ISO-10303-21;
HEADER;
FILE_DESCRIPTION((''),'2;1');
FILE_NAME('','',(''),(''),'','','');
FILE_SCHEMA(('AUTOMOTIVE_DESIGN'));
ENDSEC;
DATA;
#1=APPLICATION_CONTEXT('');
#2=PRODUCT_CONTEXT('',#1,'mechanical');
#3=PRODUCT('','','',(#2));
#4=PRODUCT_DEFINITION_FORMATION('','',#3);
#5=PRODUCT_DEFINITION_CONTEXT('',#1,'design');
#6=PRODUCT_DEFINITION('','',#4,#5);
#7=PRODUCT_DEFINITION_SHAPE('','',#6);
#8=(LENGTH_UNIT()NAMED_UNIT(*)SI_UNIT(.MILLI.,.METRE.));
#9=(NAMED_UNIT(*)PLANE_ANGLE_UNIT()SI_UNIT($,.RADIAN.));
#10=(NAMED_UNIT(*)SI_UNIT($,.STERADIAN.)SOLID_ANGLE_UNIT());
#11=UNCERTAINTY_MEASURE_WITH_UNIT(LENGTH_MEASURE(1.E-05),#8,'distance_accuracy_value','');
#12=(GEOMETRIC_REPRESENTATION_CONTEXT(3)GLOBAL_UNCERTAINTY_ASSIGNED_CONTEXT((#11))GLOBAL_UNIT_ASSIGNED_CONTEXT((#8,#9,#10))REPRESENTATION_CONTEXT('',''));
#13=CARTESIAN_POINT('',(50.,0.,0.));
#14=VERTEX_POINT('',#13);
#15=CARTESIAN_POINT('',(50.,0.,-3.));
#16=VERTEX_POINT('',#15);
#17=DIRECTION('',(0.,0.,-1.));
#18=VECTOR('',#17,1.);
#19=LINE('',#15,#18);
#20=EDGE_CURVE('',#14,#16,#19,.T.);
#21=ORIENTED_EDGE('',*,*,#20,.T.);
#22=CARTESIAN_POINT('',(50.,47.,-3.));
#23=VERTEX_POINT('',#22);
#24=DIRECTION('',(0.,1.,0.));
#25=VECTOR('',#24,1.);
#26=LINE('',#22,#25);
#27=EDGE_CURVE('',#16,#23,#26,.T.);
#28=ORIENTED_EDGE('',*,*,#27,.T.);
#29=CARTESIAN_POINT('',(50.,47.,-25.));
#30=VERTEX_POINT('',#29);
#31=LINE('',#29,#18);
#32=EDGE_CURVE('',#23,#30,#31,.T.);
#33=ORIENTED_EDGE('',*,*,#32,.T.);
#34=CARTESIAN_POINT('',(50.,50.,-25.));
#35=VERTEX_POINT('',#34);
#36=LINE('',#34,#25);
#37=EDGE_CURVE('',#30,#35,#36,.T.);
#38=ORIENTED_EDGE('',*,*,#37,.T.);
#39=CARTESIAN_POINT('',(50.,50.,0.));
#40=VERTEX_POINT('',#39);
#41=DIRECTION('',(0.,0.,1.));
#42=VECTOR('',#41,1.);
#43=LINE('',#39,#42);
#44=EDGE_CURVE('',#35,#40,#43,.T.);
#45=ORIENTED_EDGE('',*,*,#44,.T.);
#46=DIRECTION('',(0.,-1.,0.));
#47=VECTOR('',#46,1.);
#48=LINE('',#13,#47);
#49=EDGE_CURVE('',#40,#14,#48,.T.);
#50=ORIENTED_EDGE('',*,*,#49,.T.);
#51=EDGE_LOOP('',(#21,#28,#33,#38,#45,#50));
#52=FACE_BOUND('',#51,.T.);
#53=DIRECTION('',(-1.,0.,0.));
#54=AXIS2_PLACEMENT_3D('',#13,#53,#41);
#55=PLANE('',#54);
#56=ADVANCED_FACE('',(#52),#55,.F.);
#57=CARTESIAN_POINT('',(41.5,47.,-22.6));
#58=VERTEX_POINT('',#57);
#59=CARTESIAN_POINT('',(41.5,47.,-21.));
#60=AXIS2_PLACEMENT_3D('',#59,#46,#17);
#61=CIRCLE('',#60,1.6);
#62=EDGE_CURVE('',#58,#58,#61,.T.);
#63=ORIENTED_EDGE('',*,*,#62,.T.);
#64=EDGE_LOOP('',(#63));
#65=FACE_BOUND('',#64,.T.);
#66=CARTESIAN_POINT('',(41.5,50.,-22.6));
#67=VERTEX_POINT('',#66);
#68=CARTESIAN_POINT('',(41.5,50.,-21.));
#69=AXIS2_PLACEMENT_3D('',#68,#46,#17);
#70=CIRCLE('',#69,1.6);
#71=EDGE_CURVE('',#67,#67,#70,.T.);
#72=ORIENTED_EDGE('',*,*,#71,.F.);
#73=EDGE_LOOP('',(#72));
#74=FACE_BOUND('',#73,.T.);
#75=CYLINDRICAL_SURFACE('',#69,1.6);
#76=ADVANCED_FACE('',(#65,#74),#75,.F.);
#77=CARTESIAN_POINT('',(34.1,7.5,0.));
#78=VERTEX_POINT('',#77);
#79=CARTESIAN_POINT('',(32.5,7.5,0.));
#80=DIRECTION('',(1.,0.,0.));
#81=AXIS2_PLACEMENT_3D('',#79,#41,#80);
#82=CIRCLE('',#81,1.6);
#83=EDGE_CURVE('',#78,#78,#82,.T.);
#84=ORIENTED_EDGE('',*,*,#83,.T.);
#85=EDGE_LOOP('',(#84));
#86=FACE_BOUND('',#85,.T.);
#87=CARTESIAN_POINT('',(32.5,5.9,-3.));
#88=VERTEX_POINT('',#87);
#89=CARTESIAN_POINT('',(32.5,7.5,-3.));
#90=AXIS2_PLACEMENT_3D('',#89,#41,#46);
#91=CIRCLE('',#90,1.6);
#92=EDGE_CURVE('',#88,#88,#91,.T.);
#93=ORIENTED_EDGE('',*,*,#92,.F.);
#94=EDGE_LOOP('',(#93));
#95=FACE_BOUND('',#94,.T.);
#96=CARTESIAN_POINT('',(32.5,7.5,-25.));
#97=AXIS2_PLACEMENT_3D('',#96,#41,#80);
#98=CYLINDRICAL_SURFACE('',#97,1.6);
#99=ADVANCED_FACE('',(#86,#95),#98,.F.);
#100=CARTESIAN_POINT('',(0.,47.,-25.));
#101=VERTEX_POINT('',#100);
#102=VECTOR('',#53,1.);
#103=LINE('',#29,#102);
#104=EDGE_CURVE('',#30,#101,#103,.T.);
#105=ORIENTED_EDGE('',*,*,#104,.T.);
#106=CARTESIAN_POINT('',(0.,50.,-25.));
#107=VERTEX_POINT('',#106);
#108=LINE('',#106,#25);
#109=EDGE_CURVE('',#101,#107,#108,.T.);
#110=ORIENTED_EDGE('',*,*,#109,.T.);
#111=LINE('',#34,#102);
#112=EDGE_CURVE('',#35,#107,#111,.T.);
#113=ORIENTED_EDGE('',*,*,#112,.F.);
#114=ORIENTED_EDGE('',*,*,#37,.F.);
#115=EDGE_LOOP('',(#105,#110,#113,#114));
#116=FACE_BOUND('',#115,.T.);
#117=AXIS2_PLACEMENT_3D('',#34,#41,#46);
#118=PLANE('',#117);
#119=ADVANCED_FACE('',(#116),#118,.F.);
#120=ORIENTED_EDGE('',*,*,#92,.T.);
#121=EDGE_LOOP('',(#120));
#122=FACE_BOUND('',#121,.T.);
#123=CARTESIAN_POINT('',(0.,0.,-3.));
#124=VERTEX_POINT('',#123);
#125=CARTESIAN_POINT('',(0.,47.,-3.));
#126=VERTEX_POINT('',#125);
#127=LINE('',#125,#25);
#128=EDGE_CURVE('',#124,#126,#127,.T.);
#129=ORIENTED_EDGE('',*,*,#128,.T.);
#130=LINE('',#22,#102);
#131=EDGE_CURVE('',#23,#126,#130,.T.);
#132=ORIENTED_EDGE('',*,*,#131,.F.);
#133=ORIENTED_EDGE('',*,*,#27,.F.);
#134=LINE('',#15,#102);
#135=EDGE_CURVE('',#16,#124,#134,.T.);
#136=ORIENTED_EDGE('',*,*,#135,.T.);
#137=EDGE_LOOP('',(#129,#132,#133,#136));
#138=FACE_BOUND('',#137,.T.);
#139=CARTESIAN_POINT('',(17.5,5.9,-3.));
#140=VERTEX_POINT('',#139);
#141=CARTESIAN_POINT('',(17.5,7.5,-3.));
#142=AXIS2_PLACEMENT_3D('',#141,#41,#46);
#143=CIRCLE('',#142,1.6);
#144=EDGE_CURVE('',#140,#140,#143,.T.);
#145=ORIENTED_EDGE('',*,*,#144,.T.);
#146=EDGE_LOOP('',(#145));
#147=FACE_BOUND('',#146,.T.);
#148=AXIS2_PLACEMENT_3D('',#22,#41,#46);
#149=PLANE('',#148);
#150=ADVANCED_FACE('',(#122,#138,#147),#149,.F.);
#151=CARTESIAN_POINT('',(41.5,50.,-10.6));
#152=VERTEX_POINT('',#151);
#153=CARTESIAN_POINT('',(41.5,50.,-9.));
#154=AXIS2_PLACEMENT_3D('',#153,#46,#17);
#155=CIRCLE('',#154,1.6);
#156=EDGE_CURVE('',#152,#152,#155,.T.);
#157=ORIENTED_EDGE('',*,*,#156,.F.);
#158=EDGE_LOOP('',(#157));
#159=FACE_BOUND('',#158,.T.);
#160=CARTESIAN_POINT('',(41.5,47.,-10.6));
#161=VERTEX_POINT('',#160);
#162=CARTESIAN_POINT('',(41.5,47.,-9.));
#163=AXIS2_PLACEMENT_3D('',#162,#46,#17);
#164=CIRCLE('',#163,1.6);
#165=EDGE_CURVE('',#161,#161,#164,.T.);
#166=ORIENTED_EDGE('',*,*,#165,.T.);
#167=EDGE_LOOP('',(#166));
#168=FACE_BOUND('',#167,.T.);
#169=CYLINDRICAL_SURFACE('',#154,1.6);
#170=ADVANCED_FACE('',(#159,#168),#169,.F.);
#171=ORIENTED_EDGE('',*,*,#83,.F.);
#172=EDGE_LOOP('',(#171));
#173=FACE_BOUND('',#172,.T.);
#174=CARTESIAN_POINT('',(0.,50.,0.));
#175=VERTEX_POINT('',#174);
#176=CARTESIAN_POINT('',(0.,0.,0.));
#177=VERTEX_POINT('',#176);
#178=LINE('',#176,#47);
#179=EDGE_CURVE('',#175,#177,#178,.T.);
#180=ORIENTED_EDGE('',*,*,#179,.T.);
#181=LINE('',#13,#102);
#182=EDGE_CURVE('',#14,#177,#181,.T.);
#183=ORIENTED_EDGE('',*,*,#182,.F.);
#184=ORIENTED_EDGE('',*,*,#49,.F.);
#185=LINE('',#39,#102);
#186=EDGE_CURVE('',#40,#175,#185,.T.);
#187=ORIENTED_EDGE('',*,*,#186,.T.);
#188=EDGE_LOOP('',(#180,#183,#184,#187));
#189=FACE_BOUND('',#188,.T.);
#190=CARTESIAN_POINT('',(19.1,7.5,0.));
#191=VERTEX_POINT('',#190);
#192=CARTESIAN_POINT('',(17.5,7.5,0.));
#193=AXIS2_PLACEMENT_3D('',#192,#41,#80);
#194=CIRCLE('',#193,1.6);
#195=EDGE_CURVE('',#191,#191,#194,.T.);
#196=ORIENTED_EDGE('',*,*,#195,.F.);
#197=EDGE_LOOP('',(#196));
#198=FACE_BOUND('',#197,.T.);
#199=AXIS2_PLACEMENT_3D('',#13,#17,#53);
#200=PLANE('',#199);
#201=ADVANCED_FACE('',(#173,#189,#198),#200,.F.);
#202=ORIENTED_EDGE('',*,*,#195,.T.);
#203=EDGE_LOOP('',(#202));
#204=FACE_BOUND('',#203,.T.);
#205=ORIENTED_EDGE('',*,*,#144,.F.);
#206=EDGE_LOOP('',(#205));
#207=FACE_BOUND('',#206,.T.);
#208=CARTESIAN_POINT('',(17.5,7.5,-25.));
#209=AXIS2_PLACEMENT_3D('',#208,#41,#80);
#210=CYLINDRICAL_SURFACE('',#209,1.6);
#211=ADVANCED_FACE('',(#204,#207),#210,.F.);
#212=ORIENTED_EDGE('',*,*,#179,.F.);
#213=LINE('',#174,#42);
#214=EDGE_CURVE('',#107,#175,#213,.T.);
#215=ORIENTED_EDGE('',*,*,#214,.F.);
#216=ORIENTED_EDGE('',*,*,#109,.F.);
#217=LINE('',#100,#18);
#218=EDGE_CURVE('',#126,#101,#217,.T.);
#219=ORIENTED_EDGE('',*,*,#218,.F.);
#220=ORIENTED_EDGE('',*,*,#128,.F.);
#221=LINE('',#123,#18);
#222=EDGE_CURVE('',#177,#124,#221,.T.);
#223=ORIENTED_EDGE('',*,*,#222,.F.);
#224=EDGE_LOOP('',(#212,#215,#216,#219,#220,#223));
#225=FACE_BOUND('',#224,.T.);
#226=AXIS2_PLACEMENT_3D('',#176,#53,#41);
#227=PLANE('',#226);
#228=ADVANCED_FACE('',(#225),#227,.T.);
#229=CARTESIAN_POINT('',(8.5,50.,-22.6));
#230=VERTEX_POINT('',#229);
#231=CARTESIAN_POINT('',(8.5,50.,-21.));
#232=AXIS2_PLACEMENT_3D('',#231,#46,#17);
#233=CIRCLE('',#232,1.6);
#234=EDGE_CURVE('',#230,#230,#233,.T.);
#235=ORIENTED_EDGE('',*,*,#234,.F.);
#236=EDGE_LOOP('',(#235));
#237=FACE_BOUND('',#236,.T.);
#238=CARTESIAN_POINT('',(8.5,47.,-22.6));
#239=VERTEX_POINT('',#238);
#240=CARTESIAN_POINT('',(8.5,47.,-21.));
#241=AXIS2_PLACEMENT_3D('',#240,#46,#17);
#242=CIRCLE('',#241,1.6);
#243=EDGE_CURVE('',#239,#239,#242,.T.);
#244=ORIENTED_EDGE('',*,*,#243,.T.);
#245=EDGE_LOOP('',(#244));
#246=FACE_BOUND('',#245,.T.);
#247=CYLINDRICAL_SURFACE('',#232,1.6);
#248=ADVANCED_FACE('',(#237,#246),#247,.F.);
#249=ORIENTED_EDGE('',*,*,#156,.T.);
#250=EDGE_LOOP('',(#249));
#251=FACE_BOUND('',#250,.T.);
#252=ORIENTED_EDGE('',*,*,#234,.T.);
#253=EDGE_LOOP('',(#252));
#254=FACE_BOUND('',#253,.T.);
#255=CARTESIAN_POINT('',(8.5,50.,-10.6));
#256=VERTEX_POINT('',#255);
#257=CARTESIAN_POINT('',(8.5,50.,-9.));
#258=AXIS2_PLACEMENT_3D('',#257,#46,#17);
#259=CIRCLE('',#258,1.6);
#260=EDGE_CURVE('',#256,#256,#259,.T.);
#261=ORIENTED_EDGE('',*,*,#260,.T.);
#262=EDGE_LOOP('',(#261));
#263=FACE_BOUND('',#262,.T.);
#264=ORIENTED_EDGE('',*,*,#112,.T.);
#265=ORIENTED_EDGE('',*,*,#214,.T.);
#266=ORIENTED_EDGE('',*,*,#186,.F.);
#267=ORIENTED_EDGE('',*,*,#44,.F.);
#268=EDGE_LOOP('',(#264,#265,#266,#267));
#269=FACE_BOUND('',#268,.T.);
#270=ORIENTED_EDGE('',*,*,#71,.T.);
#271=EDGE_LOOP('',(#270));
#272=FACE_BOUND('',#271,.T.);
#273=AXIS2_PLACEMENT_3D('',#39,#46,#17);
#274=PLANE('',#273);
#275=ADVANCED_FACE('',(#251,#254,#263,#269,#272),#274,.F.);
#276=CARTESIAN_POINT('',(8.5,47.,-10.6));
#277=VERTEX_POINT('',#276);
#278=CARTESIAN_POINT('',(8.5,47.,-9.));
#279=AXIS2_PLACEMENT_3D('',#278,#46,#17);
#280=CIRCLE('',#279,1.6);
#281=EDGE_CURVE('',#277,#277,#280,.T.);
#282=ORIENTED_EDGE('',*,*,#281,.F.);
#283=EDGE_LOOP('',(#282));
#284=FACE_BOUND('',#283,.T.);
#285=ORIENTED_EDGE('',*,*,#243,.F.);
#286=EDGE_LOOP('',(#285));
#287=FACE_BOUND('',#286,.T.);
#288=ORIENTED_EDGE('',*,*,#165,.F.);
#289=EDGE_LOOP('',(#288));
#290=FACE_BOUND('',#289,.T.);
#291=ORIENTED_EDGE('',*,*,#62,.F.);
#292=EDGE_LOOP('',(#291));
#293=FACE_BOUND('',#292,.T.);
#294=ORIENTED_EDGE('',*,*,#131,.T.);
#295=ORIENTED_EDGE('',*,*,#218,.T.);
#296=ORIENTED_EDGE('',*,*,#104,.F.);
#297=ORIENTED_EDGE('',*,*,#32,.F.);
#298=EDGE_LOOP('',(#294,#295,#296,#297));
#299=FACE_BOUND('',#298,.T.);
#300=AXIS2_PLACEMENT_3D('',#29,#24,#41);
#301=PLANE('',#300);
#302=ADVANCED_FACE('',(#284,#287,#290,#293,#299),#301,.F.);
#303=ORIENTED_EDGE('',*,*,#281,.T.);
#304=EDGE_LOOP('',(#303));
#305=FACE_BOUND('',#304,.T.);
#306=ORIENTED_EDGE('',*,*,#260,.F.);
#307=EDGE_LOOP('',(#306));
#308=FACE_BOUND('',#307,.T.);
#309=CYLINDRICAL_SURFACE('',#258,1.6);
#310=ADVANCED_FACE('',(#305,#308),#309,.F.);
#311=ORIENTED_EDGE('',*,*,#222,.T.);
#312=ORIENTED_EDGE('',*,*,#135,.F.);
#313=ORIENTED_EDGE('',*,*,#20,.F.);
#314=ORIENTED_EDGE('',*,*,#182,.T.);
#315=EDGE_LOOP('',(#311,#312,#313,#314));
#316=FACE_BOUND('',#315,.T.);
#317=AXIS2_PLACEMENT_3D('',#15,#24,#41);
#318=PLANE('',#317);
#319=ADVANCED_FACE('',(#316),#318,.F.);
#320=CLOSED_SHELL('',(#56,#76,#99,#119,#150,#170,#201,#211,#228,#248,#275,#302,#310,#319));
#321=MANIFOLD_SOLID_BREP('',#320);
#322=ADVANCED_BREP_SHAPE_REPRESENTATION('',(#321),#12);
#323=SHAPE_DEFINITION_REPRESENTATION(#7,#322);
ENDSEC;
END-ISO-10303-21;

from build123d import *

# Parameters (mm, degrees)
EXTRUDE_1_DEPTH     = 50
SKETCH_2_R          = 1.6
CUT_EXTRUDE_1_DEPTH = 4
SKETCH_3_R          = 1.6
CUT_EXTRUDE_2_DEPTH = 26


with BuildPart() as part:
    # ｽｹｯﾁ1 → ﾎﾞｽ - 押し出し1 (new body)
    with BuildSketch(Plane(origin=(0, 0, 0), x_dir=(0, 0, -1), z_dir=(1, 0, 0))):
        Polygon((0, 50), (25, 50), (25, 47), (3, 47), (3, 0), (0, 0), align=None)
    extrude(amount=EXTRUDE_1_DEPTH)

    # ｽｹｯﾁ2 → ｶｯﾄ - 押し出し1 (cut, through all)
    with BuildSketch(Plane.XZ.offset(-47)):
        with Locations((8.5, -9)):
            Circle(SKETCH_2_R)
        with Locations((8.5, -21)):
            Circle(SKETCH_2_R)
        with Locations((41.5, -9)):
            Circle(SKETCH_2_R)
        with Locations((41.5, -21)):
            Circle(SKETCH_2_R)
    extrude(amount=-CUT_EXTRUDE_1_DEPTH, mode=Mode.SUBTRACT)

    # ｽｹｯﾁ3 → ｶｯﾄ - 押し出し2 (cut, through all)
    with BuildSketch(Plane.XY):
        with Locations((17.5, 7.5)):
            Circle(SKETCH_3_R)
        with Locations((32.5, 7.5)):
            Circle(SKETCH_3_R)
    extrude(amount=-CUT_EXTRUDE_2_DEPTH, mode=Mode.SUBTRACT)


solid = part.part
